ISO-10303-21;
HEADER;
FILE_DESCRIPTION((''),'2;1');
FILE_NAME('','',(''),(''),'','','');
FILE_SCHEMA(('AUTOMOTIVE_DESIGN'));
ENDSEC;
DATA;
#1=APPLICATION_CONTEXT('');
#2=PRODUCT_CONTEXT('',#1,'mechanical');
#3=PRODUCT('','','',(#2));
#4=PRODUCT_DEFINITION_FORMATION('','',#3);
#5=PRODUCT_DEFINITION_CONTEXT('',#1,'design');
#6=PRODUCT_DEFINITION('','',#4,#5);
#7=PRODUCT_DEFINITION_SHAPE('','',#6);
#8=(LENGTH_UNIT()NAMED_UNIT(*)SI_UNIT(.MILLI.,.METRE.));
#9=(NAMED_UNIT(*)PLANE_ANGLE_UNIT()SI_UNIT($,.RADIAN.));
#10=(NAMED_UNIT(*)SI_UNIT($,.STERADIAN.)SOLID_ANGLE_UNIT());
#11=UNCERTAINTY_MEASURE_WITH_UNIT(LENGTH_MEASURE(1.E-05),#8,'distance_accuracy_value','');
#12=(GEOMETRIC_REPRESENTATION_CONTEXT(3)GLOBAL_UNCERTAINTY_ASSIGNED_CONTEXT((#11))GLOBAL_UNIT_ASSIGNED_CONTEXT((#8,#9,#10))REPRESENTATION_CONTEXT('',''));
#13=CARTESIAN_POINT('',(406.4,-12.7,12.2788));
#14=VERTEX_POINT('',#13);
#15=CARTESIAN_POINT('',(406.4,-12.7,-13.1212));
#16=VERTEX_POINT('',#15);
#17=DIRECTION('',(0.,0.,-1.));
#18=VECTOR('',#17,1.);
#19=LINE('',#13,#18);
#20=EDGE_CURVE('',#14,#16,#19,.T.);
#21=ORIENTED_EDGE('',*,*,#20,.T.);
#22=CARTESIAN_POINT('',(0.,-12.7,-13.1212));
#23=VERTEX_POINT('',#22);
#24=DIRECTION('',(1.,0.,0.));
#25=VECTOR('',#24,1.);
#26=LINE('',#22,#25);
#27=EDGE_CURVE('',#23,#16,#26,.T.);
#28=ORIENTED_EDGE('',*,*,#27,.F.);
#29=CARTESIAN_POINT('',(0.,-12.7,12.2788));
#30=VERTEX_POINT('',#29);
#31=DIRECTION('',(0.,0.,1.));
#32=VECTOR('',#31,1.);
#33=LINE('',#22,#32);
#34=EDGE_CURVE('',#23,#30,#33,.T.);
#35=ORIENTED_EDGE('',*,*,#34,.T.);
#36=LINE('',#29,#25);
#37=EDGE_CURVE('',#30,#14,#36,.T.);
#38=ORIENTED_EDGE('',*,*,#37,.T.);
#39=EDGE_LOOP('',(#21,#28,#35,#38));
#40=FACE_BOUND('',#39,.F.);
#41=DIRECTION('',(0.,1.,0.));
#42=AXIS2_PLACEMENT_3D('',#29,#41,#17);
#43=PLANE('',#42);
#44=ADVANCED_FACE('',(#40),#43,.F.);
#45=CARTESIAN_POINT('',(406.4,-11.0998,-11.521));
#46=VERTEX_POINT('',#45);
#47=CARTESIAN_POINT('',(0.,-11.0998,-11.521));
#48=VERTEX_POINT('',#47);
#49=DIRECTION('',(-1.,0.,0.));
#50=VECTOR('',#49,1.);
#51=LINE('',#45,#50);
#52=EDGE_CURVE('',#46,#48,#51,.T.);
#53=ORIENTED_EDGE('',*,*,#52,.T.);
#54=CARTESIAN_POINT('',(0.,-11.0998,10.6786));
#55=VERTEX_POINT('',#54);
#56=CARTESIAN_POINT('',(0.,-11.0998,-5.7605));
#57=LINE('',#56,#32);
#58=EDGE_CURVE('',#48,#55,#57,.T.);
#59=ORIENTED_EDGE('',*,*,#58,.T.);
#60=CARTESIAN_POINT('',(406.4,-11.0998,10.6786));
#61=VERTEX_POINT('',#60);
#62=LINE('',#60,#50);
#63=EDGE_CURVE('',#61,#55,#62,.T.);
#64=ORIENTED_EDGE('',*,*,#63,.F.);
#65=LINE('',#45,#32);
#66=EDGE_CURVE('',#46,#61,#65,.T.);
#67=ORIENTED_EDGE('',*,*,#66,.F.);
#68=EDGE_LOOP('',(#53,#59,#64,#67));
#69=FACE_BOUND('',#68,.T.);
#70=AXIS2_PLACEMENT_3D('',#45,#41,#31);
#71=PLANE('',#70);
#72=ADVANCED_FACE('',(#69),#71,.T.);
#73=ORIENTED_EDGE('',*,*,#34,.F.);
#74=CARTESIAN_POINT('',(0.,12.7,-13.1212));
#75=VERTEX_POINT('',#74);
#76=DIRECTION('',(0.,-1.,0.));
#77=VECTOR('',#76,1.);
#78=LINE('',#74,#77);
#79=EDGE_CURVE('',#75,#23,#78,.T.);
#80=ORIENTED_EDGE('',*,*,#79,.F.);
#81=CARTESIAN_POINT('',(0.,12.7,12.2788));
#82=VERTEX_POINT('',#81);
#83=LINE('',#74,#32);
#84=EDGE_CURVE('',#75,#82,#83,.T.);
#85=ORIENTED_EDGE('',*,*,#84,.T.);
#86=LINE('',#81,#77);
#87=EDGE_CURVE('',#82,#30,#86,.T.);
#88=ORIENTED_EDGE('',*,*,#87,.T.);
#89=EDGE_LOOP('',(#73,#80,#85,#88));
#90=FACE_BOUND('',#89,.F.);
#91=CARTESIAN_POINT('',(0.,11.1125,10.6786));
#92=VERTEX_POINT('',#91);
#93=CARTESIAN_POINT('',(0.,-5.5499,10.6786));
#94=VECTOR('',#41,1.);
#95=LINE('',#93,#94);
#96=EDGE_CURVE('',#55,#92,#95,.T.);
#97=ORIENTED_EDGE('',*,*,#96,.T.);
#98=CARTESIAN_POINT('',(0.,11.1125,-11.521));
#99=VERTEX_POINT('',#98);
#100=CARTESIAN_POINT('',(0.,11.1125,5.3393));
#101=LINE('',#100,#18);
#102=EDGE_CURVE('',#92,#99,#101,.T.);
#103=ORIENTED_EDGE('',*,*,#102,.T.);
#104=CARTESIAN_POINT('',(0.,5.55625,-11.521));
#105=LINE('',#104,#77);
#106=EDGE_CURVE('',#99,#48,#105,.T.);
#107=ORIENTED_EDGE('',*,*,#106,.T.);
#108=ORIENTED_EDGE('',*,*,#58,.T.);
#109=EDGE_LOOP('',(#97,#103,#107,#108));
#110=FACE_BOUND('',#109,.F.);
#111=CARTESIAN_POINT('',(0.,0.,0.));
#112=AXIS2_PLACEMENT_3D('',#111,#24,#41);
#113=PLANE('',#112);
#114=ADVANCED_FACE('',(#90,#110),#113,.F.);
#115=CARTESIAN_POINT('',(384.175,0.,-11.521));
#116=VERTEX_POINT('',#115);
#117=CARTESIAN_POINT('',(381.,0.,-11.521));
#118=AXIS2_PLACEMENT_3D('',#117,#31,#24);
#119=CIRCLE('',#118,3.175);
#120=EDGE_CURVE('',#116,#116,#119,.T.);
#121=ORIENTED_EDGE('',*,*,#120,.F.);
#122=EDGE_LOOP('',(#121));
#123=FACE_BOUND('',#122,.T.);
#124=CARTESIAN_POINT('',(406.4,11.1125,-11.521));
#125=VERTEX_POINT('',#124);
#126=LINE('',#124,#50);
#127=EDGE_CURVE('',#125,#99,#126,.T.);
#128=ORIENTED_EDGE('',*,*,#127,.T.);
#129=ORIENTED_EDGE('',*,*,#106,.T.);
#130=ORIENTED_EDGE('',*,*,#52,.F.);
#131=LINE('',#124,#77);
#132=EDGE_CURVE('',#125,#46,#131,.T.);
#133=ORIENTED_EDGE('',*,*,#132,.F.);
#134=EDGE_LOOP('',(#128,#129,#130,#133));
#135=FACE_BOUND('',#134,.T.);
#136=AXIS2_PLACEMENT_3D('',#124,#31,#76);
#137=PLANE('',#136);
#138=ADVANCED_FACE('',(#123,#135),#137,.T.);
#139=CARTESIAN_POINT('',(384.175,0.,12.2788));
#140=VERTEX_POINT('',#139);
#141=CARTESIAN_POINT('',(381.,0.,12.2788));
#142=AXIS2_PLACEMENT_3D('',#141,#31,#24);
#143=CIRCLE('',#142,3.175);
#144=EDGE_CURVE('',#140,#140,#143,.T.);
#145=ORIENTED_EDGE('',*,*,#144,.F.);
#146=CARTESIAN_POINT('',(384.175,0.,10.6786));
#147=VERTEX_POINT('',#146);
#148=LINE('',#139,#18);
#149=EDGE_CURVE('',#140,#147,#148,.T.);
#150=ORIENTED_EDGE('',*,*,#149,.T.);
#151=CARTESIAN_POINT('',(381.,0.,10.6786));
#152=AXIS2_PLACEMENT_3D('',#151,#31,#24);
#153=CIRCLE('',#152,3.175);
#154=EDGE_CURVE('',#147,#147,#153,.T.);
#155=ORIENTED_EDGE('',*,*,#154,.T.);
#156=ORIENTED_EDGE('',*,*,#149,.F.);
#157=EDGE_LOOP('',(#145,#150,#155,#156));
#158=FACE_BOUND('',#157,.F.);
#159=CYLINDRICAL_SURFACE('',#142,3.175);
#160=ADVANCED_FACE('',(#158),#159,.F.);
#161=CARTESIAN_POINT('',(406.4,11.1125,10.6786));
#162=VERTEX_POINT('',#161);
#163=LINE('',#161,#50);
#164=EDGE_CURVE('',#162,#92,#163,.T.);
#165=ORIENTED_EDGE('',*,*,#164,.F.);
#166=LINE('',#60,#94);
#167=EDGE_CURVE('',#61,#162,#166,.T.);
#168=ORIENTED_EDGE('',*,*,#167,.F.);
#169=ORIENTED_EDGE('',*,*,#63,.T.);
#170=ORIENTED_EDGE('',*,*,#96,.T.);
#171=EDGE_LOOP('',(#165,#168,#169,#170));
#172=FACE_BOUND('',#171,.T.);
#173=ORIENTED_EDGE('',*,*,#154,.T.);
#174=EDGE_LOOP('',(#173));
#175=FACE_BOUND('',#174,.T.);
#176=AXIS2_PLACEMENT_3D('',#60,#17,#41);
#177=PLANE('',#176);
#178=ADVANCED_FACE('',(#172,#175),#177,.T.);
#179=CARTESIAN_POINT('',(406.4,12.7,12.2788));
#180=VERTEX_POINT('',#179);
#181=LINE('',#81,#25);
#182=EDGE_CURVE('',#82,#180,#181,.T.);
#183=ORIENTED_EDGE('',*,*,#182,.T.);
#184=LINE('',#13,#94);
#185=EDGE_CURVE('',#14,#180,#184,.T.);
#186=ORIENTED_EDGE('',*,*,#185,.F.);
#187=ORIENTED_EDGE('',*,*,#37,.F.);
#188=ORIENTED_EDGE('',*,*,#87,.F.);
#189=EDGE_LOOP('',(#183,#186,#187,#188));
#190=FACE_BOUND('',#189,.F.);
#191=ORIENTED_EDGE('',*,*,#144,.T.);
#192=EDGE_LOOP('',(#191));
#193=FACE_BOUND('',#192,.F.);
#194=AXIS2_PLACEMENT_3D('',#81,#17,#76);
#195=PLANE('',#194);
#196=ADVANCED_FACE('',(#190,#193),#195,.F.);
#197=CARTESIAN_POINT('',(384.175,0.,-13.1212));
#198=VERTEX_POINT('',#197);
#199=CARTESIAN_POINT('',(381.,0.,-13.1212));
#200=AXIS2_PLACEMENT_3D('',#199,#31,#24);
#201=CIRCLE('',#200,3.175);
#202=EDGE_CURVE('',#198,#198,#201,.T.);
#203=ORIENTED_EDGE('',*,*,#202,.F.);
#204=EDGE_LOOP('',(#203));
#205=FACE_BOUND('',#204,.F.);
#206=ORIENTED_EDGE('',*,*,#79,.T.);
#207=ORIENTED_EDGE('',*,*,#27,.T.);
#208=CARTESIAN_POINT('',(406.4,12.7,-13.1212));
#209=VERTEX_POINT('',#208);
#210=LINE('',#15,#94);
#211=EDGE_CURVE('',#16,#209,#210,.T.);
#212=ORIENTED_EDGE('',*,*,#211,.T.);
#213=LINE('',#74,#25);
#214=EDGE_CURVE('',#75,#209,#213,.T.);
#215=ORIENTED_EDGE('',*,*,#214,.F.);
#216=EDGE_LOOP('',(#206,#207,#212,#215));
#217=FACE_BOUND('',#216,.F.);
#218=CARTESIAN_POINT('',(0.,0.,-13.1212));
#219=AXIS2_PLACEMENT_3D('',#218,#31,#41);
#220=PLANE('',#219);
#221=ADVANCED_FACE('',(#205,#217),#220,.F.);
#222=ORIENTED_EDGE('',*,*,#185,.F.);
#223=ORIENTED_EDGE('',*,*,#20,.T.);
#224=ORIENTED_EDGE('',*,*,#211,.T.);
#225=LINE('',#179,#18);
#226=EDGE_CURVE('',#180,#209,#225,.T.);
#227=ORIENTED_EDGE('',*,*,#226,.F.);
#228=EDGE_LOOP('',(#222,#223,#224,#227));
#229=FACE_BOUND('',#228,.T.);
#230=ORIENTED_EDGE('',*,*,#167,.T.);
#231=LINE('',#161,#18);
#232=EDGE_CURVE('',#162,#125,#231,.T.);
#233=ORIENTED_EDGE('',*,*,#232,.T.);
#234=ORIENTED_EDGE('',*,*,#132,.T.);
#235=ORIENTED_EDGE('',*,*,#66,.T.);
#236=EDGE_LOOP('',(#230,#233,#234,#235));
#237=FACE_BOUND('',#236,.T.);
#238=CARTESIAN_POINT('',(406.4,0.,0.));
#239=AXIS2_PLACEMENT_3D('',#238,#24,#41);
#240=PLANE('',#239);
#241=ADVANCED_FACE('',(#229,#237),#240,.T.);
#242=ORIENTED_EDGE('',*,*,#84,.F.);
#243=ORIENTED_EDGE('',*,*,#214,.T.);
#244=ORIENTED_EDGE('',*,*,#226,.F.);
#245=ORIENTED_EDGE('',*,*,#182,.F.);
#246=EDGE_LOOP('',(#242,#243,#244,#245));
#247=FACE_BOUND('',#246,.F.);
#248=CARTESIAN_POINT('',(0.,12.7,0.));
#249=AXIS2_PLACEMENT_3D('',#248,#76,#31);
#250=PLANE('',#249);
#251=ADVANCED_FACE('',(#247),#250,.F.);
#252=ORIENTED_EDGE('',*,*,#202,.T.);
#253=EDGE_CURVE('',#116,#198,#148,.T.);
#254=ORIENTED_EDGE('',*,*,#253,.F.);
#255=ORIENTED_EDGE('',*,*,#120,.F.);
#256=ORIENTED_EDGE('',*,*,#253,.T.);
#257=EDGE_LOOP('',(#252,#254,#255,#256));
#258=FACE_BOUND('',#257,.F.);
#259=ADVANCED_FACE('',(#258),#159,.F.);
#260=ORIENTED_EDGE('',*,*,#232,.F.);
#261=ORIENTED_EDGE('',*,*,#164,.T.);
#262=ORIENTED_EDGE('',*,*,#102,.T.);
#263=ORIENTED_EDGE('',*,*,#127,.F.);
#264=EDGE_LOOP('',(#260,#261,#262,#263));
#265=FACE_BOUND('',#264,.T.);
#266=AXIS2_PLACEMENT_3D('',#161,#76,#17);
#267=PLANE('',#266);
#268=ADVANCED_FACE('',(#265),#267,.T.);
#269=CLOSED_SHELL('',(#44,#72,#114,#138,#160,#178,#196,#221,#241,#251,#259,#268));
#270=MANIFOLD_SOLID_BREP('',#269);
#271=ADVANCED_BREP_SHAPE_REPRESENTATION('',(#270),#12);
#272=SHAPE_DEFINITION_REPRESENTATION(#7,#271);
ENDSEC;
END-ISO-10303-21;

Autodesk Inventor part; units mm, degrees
ref_plane "YZ Plane" through (0, 0, 0) normal (1, 0, 0) x (0, 1, 0)
ref_plane "XZ Plane" through (0, 0, 0) normal (0, 1, 0) x (-1, 0, 0)
ref_plane "XY Plane" through (0, 0, 0) normal (0, 0, 1) x (1, 0, 0)
sketch "Sketch1" plane through (0, 0, 0) normal (1, 0, 0) x (0, 1, 0)
  line L0 (12.7, 12.2788) -> (-12.7, 12.2788)
  line L1 (-12.7, 12.2788) -> (-12.7, -13.1212)
  line L2 (-12.7, -13.1212) -> (12.7, -13.1212)
  line L3 (12.7, -13.1212) -> (12.7, 12.2788)
  line L4 (0, 32.4321) -> (0, -31.5519)
  line L5 (24.3369, 0) -> (-19.9975, 0)
  point P0 (0, 0)
  dimension "d0" = 25.4
extrude "Extrusion1" add sketch "Sketch1" along normal blind 406.4
sketch "Sketch3" plane through (406.4, 0, 0) normal (1, 0, 0) x (0, 0, -1)
  line L0 (-10.6786, 11.1125) -> (11.521, 11.1125)
  line L1 (11.521, 11.1125) -> (11.521, -11.0998)
  line L2 (11.521, -11.0998) -> (-10.6786, -11.0998)
  line L3 (-10.6786, -11.0998) -> (-10.6786, 11.1125)
  line L4 (13.1212, 12.7) -> (-12.2788, 12.7) projected
  line L5 (-12.2788, 12.7) -> (-12.2788, -12.7) projected
  line L6 (13.1212, -12.7) -> (13.1212, 12.7) projected
  line L7 (-12.2788, -12.7) -> (13.1212, -12.7) projected
  point P0 (0, 0)
  dimension "d5" = 1.5875
  dimension "d6" = 1.6002
  dimension "d7" = 1.6002
  dimension "d8" = 1.6002
extrude "Extrusion2" cut sketch "Sketch3" against normal through all contours L0 L1 L2 L3
sketch "Sketch4" plane through (0, -12.7, 12.2788) normal (0, 0, 1) x (1, 0, 0)
  circle A0 centre (381, 12.7) radius 3.175
  line L0 (406.4, 25.4) -> (406.4, 0) projected
  point P0 (0, 12.7)
  point P1 (406.4, 12.7)
  point P2 (406.4, 12.7)
  dimension "d11" = 6.35
  dimension "d12" = 25.4
extrude "Extrusion3" cut sketch "Sketch4" against normal through all
properties part number "Channel" material "Aluminum 6061"
